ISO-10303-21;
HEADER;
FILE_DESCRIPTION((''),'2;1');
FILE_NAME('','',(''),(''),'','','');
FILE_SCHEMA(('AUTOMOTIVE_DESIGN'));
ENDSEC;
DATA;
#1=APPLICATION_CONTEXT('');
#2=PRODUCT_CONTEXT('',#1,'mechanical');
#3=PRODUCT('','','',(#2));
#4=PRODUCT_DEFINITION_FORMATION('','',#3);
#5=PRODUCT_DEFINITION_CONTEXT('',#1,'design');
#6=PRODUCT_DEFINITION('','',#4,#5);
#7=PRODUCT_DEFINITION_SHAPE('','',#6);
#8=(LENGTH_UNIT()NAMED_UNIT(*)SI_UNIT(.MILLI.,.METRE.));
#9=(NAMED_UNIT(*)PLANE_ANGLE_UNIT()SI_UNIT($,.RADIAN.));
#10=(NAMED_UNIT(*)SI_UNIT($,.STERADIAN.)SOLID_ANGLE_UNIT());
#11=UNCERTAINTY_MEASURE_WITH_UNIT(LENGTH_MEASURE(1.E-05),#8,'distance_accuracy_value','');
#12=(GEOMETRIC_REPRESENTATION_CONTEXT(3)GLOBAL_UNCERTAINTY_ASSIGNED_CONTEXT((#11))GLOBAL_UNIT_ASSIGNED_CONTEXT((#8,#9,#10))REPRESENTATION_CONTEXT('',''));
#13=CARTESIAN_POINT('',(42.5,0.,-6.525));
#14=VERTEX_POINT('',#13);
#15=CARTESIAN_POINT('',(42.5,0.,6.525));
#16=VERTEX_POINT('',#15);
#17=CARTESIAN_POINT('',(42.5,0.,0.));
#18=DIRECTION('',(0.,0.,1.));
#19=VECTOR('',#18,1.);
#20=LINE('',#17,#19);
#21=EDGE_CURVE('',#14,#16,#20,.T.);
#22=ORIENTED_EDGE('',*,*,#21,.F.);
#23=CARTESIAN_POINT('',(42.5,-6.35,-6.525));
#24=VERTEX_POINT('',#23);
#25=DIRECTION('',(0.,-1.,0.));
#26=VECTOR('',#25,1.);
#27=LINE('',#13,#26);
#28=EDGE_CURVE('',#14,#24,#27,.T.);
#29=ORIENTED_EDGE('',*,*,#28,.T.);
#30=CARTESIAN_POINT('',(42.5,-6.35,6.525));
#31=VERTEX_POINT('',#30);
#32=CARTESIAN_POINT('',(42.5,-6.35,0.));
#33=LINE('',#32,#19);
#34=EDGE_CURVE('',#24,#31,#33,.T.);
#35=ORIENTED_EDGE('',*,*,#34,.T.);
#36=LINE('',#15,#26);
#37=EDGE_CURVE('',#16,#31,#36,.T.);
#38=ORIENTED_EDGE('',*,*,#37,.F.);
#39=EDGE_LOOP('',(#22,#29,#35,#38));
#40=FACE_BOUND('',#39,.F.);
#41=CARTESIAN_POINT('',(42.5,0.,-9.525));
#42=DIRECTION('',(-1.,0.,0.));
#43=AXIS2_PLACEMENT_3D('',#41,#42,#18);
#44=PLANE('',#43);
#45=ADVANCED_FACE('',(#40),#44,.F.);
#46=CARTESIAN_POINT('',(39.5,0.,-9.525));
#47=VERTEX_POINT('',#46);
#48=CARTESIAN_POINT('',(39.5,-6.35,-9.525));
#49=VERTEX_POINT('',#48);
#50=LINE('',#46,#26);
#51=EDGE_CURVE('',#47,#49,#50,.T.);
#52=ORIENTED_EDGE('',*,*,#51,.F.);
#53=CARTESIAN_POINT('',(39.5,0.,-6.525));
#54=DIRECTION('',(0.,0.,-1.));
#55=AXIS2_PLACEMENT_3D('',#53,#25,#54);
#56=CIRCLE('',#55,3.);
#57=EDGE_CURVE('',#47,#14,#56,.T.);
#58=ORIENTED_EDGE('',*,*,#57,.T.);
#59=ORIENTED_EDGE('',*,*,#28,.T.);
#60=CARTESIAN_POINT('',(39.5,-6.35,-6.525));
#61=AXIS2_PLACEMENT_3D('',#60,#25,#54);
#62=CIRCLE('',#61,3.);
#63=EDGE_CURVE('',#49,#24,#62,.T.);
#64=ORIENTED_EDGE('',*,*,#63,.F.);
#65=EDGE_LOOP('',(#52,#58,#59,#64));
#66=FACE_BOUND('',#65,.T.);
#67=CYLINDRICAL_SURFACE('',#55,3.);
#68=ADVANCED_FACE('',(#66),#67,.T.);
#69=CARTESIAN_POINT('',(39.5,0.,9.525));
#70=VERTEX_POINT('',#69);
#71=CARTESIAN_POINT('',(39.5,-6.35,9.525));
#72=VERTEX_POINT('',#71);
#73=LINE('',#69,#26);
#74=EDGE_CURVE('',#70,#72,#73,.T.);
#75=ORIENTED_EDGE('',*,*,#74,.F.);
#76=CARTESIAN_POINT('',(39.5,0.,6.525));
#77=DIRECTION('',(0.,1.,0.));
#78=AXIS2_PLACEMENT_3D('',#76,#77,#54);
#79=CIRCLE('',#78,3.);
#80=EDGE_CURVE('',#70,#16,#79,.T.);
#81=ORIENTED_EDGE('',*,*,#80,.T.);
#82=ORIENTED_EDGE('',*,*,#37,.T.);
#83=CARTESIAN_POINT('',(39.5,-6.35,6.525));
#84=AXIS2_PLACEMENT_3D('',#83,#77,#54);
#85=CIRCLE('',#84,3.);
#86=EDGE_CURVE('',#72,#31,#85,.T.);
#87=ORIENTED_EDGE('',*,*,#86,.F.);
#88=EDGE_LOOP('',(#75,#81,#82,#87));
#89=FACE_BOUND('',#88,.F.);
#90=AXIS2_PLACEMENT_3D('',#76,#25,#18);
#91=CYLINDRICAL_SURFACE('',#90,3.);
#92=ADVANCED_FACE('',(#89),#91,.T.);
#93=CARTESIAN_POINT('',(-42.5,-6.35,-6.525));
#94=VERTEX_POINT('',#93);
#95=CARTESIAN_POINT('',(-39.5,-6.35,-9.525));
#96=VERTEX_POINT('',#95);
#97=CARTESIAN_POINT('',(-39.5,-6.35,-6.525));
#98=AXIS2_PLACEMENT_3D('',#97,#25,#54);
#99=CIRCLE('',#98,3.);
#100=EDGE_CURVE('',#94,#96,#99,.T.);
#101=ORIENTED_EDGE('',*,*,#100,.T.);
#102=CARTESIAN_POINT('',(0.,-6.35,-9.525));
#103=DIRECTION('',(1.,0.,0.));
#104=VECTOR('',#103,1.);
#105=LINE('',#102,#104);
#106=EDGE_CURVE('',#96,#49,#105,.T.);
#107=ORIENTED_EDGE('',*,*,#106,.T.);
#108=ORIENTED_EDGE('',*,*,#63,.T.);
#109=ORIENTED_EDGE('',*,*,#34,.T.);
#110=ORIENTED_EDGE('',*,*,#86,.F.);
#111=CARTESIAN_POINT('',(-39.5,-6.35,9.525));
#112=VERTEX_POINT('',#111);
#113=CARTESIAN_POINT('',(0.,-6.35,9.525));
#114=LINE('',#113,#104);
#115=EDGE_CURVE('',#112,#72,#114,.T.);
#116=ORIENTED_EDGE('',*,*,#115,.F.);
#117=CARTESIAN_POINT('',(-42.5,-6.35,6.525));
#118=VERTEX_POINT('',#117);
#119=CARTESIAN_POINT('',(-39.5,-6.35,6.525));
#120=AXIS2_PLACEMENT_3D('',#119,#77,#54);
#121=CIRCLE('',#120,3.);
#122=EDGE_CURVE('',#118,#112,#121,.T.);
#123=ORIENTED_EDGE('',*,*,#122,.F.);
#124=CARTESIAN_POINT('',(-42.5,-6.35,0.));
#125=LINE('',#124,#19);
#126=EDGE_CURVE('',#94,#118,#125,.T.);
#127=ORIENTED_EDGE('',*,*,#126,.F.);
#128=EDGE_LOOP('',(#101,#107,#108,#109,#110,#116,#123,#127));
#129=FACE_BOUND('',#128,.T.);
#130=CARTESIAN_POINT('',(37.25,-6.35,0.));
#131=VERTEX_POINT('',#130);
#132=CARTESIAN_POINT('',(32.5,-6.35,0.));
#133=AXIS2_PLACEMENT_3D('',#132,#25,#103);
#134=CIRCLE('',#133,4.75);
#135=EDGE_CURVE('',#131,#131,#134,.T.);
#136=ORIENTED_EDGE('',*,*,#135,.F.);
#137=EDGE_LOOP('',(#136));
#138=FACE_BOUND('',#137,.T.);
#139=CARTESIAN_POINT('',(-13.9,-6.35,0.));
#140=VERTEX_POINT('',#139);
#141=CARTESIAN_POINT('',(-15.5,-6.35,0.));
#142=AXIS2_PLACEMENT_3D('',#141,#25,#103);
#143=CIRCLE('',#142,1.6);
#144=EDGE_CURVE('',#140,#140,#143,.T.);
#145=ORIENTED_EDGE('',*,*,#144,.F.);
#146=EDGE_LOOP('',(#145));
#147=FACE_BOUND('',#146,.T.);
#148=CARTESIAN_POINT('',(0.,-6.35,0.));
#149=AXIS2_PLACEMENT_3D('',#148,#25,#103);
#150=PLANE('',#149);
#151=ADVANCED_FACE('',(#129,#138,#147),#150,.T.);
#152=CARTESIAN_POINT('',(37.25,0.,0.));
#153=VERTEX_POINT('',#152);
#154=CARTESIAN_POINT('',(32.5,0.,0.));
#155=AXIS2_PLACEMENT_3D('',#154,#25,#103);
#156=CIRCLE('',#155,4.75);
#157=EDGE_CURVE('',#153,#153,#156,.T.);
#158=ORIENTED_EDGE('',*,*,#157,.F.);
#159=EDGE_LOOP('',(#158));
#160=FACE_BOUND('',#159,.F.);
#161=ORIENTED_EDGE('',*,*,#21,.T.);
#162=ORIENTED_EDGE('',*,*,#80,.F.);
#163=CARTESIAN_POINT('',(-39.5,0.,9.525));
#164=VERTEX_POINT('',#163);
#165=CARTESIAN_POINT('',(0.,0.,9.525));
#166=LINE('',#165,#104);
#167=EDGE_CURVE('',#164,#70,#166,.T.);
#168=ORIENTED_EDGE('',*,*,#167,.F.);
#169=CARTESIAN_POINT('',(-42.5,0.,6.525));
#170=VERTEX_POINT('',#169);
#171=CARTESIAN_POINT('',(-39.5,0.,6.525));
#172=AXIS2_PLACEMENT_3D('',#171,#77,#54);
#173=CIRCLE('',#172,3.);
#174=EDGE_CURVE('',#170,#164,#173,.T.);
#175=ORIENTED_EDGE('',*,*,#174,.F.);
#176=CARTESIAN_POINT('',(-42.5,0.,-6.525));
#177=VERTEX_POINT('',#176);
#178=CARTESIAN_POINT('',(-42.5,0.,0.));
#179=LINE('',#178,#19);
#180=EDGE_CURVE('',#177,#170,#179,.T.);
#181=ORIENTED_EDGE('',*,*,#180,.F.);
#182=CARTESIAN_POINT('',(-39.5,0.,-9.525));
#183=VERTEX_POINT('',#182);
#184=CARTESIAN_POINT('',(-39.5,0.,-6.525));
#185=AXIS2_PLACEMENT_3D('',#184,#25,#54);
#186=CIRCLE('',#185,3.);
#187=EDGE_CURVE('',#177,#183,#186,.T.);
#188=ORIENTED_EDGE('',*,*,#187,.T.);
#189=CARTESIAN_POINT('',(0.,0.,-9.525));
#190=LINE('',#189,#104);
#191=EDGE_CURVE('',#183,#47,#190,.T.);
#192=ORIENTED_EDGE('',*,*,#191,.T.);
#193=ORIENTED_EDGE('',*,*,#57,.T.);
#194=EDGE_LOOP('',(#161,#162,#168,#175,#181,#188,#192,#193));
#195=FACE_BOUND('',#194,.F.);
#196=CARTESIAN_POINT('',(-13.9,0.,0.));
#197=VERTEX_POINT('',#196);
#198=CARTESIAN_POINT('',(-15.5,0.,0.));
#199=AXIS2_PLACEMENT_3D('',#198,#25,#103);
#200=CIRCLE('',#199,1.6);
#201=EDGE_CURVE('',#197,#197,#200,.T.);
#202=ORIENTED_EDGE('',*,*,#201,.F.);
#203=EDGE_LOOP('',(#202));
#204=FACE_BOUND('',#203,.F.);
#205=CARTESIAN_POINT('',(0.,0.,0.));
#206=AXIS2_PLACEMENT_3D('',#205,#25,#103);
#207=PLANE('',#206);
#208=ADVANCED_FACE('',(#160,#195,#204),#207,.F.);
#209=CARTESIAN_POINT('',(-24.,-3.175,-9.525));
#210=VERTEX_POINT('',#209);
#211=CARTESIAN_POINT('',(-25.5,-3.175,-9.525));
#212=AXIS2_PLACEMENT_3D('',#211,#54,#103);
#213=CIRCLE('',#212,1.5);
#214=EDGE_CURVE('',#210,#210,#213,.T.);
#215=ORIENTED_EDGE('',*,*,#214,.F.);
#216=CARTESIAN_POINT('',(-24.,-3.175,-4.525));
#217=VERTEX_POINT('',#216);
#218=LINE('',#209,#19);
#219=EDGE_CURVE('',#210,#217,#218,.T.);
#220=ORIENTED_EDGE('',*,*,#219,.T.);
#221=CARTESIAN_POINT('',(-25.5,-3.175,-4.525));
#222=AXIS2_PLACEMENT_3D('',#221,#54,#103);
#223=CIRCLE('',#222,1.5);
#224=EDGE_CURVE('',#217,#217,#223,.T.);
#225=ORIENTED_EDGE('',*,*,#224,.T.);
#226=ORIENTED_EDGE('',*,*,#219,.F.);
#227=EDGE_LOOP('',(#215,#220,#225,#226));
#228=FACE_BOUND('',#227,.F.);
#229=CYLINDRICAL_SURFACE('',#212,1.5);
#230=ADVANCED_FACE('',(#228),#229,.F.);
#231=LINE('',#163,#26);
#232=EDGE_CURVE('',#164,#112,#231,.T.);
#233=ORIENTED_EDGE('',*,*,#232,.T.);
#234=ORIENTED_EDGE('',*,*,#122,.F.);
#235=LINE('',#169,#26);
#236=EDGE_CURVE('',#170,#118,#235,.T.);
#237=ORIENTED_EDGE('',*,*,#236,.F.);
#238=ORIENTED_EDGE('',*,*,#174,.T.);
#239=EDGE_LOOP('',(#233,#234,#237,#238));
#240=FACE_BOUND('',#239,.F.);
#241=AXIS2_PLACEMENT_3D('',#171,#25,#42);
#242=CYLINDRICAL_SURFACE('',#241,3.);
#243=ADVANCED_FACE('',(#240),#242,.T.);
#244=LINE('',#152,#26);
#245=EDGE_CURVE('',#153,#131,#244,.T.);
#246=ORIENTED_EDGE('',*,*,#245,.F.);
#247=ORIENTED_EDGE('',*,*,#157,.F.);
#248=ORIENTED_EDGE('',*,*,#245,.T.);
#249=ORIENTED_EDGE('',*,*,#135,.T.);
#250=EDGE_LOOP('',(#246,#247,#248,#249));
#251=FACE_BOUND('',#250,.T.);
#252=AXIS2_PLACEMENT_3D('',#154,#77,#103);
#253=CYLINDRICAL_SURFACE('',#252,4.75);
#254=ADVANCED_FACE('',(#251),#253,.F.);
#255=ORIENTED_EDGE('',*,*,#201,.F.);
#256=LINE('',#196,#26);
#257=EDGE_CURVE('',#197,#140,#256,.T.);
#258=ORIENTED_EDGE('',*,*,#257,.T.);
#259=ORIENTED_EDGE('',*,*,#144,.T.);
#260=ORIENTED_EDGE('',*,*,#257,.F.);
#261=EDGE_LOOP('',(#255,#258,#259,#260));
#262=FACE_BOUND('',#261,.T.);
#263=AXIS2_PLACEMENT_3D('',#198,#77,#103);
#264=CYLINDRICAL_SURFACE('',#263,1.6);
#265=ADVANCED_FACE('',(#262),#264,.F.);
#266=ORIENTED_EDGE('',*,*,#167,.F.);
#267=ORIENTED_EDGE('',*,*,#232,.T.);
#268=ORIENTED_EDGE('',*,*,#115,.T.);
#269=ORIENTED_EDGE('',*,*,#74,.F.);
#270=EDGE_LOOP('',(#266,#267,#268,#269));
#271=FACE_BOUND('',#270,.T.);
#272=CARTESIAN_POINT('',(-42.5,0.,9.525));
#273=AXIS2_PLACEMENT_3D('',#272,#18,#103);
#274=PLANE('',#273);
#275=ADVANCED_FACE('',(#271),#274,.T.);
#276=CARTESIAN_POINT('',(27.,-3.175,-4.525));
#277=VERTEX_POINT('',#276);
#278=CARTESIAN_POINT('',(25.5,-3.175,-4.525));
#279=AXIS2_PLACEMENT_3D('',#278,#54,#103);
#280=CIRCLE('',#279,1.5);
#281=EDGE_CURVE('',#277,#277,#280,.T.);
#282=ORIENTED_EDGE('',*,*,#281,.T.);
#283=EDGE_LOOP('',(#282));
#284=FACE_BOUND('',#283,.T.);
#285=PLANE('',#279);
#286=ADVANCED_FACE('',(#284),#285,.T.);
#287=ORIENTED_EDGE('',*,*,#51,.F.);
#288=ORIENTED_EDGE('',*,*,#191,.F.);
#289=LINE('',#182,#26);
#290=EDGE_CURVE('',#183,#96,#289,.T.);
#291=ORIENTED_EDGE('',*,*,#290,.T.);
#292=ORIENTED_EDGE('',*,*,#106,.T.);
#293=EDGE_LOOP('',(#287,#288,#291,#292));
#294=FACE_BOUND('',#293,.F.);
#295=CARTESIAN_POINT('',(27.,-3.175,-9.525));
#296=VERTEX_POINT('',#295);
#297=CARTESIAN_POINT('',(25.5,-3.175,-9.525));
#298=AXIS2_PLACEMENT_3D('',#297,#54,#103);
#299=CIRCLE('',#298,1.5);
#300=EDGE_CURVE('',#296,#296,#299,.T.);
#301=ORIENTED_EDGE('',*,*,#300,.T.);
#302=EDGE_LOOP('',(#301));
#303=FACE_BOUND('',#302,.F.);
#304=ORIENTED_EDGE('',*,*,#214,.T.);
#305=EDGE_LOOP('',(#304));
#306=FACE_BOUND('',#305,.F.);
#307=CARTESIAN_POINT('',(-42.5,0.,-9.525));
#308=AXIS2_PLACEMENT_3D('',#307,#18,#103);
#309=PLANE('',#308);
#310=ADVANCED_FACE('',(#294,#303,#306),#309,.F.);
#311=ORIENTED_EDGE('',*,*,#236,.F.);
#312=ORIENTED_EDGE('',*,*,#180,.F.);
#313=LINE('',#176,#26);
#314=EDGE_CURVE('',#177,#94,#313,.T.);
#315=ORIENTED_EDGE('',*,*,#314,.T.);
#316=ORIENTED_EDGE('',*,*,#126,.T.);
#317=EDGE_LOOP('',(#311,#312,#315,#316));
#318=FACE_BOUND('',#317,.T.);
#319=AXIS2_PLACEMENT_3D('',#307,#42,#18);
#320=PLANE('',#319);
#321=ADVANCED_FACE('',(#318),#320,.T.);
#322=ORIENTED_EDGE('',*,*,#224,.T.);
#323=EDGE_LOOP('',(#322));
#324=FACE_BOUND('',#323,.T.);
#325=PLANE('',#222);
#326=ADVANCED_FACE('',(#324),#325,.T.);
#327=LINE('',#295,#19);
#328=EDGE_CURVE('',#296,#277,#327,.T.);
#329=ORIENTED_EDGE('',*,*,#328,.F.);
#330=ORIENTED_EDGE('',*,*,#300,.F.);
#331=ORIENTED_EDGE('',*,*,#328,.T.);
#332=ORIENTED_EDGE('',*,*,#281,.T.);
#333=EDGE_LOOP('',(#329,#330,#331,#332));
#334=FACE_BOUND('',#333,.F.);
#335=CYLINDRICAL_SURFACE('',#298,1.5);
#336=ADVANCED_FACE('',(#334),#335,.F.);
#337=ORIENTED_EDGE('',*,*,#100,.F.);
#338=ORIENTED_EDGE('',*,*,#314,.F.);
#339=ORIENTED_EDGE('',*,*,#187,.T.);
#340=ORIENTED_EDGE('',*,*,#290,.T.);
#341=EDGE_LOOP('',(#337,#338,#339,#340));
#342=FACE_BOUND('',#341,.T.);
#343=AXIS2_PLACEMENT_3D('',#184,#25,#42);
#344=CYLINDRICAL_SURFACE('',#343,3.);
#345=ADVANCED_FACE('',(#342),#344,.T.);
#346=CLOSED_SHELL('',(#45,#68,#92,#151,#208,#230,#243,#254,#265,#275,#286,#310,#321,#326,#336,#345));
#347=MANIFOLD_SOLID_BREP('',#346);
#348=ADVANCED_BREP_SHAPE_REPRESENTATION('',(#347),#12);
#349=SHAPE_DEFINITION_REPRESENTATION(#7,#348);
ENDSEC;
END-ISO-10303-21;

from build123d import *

# Parameters (mm, degrees)
F0_W     = 85
F0_H     = 19.05
F0_R     = 1.6
F0_R_2   = 4.75
F1_DEPTH = 6.35
F2_R     = 1.5
F3_DEPTH = 5
F4_R     = 3


with BuildPart() as f1:
    # F0 (on Front) → F1 (new body)
    with BuildSketch(Plane.XZ):
        Rectangle(F0_W, F0_H)
        with Locations((-15.5, 0)):
            Circle(F0_R, mode=Mode.SUBTRACT)
        with Locations((32.5, 0)):
            Circle(F0_R_2, mode=Mode.SUBTRACT)
    extrude(amount=F1_DEPTH)

    # F2 (on face) → F3 (cut)
    with BuildSketch(Plane(origin=(0, 0, -9.525), x_dir=(1, 0, 0), z_dir=(0, 0, -1))):
        with Locations((25.5, 3.175)):
            Circle(F2_R)
        with Locations((-25.5, 3.175)):
            Circle(F2_R)
    extrude(amount=-F3_DEPTH, mode=Mode.SUBTRACT)

    # F4
    f4_edges = [f1.edges().sort_by_distance(p)[0] for p in [
        (42.5, -3.175, 9.525),
        (-42.5, -3.175, 9.525),
        (42.5, -3.175, -9.525),
        (-42.5, -3.175, -9.525),
    ]]
    fillet(f4_edges, radius=F4_R)


solid = f1.part
